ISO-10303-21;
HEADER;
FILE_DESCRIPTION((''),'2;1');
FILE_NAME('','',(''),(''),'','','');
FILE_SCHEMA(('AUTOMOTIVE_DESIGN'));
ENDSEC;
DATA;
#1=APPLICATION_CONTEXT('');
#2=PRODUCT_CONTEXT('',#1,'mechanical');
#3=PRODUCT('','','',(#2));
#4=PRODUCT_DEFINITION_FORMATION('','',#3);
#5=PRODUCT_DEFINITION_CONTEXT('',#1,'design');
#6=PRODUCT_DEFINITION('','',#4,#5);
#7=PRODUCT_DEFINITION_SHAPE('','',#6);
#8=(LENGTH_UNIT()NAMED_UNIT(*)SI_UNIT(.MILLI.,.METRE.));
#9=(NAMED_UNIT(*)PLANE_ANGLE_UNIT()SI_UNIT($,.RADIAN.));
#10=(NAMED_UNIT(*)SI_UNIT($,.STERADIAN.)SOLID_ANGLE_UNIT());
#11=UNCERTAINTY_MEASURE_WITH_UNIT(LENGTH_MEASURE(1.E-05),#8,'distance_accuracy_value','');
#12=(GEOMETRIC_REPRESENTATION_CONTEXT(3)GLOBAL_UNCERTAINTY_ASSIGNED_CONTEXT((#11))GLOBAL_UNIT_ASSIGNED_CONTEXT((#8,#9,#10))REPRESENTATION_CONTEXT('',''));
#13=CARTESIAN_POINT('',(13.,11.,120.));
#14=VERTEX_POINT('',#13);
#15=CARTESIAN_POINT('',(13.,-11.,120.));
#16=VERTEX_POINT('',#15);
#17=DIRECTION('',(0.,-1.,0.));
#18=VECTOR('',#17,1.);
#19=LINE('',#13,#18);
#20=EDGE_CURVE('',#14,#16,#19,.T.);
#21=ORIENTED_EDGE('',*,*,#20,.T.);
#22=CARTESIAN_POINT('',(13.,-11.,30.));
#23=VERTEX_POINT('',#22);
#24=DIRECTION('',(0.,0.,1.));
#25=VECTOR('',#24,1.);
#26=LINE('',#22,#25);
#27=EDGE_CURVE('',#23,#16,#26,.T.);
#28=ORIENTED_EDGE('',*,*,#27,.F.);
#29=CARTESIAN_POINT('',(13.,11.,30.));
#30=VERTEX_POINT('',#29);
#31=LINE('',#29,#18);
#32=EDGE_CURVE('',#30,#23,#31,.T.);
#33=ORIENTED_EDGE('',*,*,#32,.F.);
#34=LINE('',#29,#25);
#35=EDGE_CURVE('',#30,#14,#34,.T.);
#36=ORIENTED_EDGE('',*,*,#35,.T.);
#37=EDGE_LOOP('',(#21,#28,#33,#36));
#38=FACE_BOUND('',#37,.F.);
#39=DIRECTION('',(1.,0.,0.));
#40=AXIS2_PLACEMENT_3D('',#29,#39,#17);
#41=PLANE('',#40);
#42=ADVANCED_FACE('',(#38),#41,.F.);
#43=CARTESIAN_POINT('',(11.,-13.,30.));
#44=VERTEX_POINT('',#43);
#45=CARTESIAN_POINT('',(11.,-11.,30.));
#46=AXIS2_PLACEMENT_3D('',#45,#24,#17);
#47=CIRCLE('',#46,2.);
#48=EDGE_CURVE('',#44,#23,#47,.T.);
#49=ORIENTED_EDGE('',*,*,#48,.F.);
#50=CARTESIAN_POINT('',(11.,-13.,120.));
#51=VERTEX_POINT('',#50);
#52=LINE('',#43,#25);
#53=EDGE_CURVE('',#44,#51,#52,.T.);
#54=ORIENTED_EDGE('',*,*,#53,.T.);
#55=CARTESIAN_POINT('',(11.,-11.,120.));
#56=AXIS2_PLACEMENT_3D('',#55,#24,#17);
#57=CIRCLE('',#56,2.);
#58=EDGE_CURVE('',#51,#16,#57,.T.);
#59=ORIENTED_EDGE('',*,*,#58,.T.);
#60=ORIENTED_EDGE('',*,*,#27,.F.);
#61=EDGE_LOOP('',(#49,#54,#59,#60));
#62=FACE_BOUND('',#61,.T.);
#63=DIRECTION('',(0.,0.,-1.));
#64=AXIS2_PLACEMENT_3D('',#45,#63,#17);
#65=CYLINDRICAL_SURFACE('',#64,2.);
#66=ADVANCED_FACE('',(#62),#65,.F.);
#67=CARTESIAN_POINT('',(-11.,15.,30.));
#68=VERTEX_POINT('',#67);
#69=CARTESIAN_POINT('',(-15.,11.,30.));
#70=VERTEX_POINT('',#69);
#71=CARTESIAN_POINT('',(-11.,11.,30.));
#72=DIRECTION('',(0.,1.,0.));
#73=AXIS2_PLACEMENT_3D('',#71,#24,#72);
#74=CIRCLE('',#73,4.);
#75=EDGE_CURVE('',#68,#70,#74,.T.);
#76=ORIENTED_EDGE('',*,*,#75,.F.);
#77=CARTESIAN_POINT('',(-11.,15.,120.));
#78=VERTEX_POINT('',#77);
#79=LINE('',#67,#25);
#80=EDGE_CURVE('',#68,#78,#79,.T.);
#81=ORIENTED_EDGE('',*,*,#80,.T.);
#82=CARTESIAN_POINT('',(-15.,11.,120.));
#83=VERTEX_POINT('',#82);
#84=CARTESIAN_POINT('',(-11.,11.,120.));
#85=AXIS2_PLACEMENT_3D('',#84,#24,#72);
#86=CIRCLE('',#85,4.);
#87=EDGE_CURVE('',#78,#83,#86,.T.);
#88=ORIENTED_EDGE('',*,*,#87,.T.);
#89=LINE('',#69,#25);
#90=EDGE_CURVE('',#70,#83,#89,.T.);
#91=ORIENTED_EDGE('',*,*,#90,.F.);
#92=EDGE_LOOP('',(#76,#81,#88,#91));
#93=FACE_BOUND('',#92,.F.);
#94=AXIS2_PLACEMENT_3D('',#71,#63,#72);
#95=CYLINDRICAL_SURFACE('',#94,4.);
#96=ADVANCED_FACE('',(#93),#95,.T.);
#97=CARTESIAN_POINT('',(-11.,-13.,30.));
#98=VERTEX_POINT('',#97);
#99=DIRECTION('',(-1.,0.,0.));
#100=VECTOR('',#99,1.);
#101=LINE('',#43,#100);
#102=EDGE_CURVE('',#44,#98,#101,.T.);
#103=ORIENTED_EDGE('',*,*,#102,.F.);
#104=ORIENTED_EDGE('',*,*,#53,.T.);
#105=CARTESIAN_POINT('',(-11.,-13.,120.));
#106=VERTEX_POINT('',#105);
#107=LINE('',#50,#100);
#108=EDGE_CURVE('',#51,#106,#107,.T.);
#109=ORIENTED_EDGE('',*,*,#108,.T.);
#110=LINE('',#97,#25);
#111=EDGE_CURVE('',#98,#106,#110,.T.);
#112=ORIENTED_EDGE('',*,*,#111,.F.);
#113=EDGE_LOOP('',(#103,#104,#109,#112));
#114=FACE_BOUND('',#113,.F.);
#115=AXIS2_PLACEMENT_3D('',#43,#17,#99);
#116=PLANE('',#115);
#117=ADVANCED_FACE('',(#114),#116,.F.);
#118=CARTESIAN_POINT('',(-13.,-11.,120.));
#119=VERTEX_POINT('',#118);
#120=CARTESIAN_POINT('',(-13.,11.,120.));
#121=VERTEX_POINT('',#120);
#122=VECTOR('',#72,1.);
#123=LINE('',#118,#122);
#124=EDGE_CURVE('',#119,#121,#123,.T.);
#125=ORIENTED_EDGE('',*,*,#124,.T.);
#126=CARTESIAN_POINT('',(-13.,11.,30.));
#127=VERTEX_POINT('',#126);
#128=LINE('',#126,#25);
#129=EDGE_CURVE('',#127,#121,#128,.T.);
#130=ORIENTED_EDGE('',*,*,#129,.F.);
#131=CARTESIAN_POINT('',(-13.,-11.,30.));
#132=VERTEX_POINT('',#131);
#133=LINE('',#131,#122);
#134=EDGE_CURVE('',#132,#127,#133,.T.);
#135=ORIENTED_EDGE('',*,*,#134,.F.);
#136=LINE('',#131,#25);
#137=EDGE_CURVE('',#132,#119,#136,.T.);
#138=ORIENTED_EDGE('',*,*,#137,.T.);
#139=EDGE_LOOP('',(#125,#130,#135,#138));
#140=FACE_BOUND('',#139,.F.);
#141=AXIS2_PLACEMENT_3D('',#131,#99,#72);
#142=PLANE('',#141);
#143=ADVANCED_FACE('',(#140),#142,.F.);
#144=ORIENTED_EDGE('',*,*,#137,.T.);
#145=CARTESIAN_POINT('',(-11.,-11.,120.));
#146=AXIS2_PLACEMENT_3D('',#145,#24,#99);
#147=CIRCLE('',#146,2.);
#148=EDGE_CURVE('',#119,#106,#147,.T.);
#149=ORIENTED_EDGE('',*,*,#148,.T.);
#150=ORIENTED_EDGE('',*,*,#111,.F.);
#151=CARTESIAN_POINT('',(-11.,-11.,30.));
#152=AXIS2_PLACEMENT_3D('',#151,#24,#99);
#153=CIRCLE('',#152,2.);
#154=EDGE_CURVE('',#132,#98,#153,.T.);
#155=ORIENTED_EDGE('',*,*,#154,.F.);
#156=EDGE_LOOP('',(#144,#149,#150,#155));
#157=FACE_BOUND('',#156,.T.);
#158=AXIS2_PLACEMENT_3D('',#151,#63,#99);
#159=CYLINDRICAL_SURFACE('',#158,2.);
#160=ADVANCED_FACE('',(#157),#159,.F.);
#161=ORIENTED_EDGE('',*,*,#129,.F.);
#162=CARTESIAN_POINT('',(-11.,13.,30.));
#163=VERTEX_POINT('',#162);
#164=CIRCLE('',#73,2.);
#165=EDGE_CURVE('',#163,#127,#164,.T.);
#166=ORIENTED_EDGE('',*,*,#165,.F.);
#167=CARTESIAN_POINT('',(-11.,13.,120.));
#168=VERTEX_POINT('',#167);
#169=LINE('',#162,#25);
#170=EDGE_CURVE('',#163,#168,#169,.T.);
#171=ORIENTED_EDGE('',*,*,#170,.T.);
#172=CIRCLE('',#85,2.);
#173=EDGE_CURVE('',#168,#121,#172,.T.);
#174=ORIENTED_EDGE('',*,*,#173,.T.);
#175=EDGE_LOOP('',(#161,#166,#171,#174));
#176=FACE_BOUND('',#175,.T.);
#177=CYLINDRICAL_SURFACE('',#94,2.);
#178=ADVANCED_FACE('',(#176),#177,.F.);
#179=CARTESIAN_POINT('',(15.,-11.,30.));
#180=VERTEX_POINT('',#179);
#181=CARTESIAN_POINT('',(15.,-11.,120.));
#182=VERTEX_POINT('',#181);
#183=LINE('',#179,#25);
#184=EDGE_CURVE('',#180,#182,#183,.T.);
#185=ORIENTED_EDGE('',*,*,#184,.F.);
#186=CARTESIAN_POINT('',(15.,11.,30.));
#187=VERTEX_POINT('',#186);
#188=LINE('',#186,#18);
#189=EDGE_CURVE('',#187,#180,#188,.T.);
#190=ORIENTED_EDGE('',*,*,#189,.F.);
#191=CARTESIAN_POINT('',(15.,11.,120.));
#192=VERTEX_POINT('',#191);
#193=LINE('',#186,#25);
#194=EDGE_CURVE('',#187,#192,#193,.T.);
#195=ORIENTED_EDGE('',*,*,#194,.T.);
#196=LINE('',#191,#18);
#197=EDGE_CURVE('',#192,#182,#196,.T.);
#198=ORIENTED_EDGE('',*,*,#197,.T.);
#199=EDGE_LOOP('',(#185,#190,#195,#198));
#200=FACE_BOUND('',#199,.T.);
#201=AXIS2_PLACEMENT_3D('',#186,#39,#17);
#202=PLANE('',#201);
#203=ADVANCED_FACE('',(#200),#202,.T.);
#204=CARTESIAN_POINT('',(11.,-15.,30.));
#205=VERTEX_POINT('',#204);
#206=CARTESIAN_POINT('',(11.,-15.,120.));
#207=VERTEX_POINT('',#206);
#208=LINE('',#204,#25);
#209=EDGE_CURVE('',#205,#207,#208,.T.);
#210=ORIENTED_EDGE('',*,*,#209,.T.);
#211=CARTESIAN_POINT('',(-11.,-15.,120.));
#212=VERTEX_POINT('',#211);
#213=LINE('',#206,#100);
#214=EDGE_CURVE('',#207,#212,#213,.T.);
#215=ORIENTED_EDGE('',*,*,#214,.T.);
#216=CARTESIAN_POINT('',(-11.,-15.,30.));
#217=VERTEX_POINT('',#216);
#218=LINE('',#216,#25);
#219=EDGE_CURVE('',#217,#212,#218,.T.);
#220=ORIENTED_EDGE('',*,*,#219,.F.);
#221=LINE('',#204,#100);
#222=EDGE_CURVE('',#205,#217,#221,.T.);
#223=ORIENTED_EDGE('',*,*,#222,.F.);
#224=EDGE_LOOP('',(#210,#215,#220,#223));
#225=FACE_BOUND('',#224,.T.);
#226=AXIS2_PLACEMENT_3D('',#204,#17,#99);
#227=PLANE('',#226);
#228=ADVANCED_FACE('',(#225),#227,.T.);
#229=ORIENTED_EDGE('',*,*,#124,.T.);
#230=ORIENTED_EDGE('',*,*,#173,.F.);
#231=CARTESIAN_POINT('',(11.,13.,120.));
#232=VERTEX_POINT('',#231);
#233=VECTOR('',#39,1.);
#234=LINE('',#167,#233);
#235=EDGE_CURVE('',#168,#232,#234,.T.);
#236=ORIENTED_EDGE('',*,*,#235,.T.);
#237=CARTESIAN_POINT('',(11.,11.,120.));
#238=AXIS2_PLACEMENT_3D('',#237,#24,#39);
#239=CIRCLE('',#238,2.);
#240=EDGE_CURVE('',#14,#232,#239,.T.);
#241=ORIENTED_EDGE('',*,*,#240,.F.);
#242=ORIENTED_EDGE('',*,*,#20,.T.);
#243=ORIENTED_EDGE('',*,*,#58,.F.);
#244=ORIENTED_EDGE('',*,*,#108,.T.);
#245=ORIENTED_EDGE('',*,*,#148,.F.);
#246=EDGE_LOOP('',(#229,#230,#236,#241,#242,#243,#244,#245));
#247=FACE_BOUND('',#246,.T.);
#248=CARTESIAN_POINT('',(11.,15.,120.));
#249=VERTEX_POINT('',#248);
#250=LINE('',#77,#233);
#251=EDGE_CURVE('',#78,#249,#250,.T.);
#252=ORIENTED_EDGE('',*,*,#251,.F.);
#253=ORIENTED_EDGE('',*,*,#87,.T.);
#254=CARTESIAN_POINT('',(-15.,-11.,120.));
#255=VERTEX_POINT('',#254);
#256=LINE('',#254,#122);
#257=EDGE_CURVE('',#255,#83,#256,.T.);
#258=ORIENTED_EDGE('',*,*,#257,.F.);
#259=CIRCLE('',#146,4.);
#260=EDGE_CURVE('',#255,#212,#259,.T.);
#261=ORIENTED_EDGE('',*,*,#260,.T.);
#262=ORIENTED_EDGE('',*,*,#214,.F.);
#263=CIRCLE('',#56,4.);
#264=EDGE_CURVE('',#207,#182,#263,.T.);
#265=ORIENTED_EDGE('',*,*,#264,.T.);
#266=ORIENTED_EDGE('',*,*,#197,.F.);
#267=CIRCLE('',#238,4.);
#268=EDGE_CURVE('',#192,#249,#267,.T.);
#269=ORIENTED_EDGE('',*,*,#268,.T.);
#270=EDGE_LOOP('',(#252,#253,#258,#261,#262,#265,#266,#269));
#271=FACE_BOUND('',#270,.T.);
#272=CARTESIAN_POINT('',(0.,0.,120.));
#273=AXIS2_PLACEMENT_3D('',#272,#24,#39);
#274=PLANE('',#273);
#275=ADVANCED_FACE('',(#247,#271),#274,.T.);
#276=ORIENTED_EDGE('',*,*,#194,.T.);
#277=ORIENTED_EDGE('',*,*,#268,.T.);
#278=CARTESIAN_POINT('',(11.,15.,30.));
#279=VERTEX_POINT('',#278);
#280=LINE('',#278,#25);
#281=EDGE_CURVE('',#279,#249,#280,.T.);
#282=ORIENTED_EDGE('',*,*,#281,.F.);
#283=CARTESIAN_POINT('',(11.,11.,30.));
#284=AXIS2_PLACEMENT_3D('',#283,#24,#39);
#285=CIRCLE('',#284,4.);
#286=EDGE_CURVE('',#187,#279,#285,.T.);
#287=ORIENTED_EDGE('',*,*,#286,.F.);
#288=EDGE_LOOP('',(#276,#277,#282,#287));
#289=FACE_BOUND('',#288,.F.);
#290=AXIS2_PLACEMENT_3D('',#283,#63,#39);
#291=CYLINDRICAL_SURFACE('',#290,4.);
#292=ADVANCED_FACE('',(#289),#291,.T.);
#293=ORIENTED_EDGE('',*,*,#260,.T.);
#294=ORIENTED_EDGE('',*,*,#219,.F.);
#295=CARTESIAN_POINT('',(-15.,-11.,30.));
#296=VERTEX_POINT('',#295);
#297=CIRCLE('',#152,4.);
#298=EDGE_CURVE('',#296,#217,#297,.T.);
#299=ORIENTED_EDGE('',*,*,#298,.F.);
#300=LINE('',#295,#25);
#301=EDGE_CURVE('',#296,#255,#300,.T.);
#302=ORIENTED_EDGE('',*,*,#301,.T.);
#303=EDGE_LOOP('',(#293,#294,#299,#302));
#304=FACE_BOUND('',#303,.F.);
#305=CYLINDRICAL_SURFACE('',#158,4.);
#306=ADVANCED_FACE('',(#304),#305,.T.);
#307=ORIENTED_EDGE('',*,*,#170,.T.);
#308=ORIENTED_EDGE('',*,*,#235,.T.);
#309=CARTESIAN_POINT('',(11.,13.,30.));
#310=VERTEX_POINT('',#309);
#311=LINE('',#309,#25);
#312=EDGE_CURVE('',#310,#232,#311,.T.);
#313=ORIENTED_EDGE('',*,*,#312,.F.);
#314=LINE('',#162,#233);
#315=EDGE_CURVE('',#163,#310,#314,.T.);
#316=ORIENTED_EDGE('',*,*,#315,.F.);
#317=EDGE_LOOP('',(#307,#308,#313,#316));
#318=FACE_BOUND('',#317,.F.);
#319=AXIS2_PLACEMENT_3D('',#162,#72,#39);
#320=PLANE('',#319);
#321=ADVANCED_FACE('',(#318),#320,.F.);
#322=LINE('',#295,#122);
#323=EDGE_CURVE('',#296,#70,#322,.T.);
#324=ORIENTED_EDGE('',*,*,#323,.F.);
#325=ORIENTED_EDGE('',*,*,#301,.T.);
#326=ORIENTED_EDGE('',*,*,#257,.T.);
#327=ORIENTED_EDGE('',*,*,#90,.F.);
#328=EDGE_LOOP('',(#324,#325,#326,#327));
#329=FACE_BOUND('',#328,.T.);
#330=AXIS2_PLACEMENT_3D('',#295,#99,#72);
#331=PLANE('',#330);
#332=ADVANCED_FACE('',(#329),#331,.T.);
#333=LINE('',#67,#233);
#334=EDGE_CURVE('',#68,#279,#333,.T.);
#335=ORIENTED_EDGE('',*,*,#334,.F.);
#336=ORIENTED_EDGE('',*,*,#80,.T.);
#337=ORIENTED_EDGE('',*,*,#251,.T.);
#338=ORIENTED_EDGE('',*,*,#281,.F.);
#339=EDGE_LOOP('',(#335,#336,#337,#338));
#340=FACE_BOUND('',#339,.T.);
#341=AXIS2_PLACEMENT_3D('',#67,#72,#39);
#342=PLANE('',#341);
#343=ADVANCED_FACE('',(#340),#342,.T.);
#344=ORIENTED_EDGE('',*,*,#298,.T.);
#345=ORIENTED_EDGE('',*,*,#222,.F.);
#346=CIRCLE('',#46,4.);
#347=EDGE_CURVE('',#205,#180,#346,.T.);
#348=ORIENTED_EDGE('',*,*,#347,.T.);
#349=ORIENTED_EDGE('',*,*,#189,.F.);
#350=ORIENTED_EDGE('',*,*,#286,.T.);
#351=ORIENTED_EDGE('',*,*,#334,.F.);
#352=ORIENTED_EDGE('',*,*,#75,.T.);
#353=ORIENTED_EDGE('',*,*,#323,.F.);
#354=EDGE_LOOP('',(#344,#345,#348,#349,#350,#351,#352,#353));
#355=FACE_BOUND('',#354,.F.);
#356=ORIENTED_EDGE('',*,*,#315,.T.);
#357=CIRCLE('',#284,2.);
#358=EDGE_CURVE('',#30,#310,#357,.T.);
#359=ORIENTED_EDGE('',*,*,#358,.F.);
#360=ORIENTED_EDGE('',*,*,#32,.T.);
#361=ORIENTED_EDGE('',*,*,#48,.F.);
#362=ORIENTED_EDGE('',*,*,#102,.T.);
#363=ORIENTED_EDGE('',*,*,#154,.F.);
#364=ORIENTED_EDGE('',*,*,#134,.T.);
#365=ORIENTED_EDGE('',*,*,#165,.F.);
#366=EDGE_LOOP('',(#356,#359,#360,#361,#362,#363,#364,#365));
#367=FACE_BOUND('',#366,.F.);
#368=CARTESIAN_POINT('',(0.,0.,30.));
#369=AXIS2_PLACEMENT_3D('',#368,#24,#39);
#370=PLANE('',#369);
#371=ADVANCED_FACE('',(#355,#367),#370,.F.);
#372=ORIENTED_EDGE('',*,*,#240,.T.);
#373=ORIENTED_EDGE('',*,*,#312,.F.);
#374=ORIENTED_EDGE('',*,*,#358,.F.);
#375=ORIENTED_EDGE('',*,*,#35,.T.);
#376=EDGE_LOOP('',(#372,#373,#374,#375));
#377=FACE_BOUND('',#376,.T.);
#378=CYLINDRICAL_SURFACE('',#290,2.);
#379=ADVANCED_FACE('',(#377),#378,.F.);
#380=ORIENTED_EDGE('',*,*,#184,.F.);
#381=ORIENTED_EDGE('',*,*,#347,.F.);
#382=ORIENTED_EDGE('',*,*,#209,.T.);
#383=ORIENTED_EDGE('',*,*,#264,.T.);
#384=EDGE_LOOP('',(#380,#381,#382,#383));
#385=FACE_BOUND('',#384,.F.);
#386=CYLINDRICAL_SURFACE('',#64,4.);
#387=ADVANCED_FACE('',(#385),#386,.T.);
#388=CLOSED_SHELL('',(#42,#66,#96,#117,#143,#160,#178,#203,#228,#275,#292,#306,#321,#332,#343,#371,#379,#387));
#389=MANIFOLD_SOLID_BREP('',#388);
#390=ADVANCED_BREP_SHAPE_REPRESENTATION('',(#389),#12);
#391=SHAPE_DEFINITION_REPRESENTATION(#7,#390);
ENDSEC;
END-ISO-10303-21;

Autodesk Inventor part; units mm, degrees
ref_plane "Plano inicial" through (0, 0, 30) normal (0, 0, 1) x (1, 0, 0)
ref_plane "Plano final" through (0, 0, 120) normal (0, 0, 1) x (1, 0, 0)
sketch "Esboço" plane through (0, 0, 0) normal (0, 0, 1) x (1, 0, 0)
  line L0 (-15, -11) -> (-15, 11)
  line L1 (-11, 15) -> (11, 15)
  line L2 (15, 11) -> (15, -11)
  line L3 (11, -15) -> (-11, -15)
  arc A0 (-15, -11) -> (-11, -15) centre (-11, -11) ccw
  arc A1 (15, 11) -> (11, 15) centre (11, 11) ccw
  arc A2 (-11, 15) -> (-15, 11) centre (-11, 11) ccw
  arc A3 (11, -15) -> (15, -11) centre (11, -11) ccw
  arc A4 (-11, 13) -> (-13, 11) centre (-11, 11) ccw
  line L4 (-11, 13) -> (11, 13)
  arc A5 (13, 11) -> (11, 13) centre (11, 11) ccw
  line L5 (13, 11) -> (13, -11)
  arc A6 (11, -13) -> (13, -11) centre (11, -11) ccw
  line L6 (11, -13) -> (-11, -13)
  arc A7 (-13, -11) -> (-11, -13) centre (-11, -11) ccw
  line L7 (-13, -11) -> (-13, 11)
  line L8 (0, 22.1598) -> (0, -22.1598) construction
  line L9 (-22.1598, 0) -> (22.1598, 0) construction
  dimension "d7" = 4
  dimension "d9" = 30
  dimension "d11" = 30
  dimension "d12" = 2
  dimension "d15" = 15
  dimension "d16" = 15
extrude "Corpo" add sketch "Esboço" along normal up to surface (90 mm away) from surface at 30
sketch "Sketch3" plane through (0, 0, 0) normal (0, 0, 1) x (1, 0, 0)
  line L0 (0, 0) -> (10, 0)
ref_plane "Work Plane3" through (0, 0, 0) normal (0, -1, 0) x (1, 0, 0)
sketch "Sketch4" plane through (0, 0, 0) normal (0, -1, 0) x (1, 0, 0)
  line L0 (-2, 30) -> (12, 30)
  line L1 (-2, 120) -> (12, 120)
  dimension "d18" = 90
ref_plane "Plano de trabalho4" through (0, -15, 30) normal (0, 0, -1) x (-1, 0, 0)
split "Dividir1" plane through (0, -15, 30) removes the side toward (0, 0, -1)
ref_plane "Plano de trabalho5" through (0, 435, 120) normal (0, 0, 1) x (1, 0, 0)
split "Dividir2" plane through (0, 435, 120) removes the side toward (0, 0, 1)
equation "\"d7\" = G_IR"
equation "\"d9\" = G_W"
equation "\"d11\" = G_H"
equation "\"d12\" = G_T"
equation "\"d15\" = 0.5 * d9"
equation "\"d16\" = 0.5 * d11"
equation "\"d3\" = G_L"
equation "\"G_W\" = 30"
equation "\"G_H\" = 30"
equation "\"G_T\" = 2"
equation "\"G_IR\" = 4"
equation "\"G_L\" = d18"
properties part number "ISO 10799-2 - 30x30x2 - 90" material "Aço, suave"
